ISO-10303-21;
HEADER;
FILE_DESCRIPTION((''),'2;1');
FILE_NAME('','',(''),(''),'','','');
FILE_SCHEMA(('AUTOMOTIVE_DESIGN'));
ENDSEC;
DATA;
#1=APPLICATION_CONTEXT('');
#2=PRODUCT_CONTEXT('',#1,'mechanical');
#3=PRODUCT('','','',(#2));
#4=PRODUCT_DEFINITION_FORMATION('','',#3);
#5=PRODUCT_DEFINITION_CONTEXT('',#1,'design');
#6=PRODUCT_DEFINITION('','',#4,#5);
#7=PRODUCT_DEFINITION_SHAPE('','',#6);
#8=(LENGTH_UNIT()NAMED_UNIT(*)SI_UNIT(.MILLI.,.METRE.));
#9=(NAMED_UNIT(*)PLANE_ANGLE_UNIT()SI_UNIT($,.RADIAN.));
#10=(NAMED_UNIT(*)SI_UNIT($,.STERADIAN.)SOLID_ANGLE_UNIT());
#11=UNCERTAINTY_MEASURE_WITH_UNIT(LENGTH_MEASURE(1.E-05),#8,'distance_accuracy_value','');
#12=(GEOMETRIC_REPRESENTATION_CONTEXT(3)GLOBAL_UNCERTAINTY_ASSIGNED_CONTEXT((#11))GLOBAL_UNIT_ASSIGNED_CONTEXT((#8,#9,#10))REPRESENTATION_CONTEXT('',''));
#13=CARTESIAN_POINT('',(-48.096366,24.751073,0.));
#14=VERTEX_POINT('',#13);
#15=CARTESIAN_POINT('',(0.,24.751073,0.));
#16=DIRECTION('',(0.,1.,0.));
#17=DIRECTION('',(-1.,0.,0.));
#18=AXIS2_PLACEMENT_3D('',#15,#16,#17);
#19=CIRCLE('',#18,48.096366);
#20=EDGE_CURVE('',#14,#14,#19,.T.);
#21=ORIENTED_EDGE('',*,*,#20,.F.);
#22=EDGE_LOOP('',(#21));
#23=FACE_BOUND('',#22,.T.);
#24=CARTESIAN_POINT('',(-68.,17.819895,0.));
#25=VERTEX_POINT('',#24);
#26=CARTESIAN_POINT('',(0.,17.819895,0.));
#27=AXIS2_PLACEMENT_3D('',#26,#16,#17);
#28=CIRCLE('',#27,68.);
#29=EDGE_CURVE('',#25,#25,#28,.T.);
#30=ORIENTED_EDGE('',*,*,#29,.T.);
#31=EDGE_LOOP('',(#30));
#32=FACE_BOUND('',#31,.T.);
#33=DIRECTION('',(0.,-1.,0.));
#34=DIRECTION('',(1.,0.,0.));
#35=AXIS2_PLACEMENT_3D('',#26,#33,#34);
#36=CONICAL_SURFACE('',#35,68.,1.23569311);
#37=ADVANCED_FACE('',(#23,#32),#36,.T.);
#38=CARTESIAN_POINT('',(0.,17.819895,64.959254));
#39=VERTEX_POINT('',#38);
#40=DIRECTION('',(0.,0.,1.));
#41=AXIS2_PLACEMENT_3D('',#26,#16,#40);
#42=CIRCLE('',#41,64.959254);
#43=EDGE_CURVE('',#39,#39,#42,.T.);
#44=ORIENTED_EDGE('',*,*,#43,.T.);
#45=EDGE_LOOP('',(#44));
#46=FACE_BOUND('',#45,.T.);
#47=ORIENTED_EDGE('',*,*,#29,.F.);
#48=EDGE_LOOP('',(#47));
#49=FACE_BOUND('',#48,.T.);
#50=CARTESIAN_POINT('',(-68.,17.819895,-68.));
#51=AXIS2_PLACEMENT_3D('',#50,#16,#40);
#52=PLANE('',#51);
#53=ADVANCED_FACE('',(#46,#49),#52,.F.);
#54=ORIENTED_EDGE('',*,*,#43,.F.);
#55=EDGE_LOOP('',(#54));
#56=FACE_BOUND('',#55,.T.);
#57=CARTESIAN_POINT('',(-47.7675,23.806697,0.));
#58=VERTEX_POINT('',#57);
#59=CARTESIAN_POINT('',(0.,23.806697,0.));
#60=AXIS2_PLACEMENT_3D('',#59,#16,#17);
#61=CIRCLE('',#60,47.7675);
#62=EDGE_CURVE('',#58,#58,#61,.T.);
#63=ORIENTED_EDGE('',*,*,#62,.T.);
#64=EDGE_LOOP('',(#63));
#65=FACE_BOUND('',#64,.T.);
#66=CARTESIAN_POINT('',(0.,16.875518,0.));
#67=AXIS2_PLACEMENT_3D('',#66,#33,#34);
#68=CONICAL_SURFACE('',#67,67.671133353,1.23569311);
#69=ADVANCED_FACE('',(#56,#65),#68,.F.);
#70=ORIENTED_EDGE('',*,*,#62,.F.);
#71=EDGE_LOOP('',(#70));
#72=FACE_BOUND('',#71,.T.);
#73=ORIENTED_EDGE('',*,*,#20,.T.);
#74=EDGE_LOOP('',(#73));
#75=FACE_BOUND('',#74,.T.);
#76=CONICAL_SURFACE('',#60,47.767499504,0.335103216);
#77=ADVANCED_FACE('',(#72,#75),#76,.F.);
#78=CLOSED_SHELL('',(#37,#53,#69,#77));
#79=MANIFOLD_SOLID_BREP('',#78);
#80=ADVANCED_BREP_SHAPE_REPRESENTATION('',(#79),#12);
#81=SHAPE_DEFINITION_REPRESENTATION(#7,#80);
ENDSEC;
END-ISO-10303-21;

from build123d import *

# Parameters (mm, degrees)
ENL_V_MAT_EXTRU_1_DEPTH      = 100.300632559
ENL_V_MAT_EXTRU_1_DEPTH_BACK = 100.300632559
ESQUISSE2_W                  = 136
ESQUISSE2_H                  = 0.944376371


with BuildPart() as part:
    # Esquisse1 → Base-Révol.-Mince (revolve)
    with BuildSketch(Plane.XY, mode=Mode.PRIVATE) as base_r_vol_mince_sk:
        Polygon((68, 17.819894607), (48.096366151, 24.751073243), (47.767499504, 23.806696872), (67.671133353, 16.875518236), align=None)
    revolve(base_r_vol_mince_sk.sketch.rotate(Axis((0, -60, 0), (0, -1, 0)), 180), axis=Axis((0, -60, 0), (0, -1, 0)))

    # Esquisse2 → Enlèv. mat.-Extru.1 (cut, two sides: drawn at the far end of the back side and taken through both)
    with BuildSketch(Plane.XY.offset(-ENL_V_MAT_EXTRU_1_DEPTH_BACK)):
        with Locations((0, 17.347706421)):
            Rectangle(ESQUISSE2_W, ESQUISSE2_H)
    extrude(amount=ENL_V_MAT_EXTRU_1_DEPTH + ENL_V_MAT_EXTRU_1_DEPTH_BACK, mode=Mode.SUBTRACT)


solid = part.part
